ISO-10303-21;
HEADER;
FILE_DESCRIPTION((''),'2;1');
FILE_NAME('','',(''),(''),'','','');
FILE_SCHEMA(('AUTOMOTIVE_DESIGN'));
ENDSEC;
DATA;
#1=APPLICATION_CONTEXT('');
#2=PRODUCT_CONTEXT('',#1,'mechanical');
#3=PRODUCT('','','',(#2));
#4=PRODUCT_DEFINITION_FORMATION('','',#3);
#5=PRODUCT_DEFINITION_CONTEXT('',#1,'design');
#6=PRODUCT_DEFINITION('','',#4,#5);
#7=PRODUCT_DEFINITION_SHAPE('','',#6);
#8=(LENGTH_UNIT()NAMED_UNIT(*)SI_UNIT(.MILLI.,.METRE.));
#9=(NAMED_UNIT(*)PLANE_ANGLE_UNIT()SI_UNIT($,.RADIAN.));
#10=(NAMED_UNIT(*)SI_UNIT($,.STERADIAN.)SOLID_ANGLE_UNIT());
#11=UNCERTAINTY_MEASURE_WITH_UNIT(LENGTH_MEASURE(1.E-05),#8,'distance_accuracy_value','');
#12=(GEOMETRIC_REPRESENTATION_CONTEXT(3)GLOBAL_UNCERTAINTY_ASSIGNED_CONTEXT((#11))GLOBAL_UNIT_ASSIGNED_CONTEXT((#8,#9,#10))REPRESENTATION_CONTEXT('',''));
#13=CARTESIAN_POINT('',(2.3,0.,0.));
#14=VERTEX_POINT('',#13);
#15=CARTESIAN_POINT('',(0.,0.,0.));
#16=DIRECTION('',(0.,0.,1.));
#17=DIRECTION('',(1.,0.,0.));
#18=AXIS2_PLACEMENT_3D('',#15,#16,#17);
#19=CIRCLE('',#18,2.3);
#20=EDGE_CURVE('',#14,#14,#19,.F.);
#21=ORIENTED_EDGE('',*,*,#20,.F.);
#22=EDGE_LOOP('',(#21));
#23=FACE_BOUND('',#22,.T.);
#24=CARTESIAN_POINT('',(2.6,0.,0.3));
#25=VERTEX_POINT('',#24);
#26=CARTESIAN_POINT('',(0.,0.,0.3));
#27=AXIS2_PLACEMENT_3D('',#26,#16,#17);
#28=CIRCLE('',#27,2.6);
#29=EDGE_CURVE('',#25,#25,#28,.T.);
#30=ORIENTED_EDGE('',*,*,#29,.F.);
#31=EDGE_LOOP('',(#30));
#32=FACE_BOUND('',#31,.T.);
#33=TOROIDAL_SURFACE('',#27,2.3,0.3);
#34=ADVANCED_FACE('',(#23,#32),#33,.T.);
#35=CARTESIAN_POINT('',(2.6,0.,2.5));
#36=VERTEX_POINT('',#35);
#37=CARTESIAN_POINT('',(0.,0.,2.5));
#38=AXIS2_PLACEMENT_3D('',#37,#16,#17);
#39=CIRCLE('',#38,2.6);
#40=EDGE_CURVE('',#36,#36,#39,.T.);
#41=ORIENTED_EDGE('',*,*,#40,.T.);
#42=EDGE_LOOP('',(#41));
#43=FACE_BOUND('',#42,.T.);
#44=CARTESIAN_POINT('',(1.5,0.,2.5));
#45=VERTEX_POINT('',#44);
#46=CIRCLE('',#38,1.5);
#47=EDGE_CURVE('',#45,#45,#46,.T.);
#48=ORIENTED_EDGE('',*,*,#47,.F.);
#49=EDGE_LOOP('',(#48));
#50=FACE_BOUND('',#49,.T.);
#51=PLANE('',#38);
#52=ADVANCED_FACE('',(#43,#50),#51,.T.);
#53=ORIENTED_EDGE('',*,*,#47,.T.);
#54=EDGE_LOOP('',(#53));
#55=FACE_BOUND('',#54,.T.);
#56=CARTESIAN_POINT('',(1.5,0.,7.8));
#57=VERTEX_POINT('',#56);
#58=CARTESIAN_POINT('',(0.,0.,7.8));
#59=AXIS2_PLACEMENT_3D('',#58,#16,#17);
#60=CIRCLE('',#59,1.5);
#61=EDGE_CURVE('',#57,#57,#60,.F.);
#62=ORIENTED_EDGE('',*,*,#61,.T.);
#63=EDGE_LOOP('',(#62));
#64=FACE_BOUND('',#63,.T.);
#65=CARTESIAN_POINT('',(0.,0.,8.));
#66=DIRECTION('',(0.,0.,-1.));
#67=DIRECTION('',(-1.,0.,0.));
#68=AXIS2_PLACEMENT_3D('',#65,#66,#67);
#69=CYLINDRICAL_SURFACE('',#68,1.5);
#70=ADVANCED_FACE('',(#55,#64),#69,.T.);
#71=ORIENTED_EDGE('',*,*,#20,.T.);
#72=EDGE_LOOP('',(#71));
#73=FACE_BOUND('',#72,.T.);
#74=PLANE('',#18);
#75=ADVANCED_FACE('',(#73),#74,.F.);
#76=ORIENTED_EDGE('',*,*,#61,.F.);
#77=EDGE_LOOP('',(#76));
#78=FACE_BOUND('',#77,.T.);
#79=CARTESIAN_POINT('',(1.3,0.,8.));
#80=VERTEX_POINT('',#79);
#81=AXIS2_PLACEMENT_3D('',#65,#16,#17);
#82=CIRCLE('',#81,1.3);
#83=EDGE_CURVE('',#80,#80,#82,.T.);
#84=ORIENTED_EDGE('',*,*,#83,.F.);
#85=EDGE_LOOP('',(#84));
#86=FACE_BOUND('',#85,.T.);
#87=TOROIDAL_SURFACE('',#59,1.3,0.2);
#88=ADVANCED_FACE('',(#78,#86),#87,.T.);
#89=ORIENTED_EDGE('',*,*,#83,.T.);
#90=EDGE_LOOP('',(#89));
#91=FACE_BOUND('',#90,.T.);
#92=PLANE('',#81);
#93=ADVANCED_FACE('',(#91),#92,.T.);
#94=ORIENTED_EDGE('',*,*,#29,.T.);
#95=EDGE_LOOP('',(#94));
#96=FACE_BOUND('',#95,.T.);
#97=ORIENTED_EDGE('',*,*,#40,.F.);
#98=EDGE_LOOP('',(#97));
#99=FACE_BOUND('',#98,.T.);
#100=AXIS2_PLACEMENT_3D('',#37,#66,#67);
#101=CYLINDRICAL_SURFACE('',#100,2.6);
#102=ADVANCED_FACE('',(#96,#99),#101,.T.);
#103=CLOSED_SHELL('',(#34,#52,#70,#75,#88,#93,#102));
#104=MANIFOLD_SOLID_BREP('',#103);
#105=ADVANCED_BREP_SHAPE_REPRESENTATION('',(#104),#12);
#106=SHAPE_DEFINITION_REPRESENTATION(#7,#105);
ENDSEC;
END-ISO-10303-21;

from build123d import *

# Parameters (mm, degrees)
SKETCH1_R           = 2.6
BOSS_EXTRUDE1_DEPTH = 2.5
FILLET1_R           = 0.3
SKETCH2_R           = 1.5
BOSS_EXTRUDE2_DEPTH = 5.5
FILLET2_R           = 0.2


with BuildPart() as part:
    # Sketch1 → Boss-Extrude1 (new body)
    with BuildSketch(Plane.XY):
        Circle(SKETCH1_R)
    extrude(amount=BOSS_EXTRUDE1_DEPTH)

    # Fillet1
    fillet1_edges = [part.edges().sort_by_distance(p)[0] for p in [
        (-2.6, 0, 0),
    ]]
    fillet(fillet1_edges, radius=FILLET1_R)

    # Sketch2 → Boss-Extrude2 (add)
    with BuildSketch(Plane.XY.offset(2.5)):
        Circle(SKETCH2_R)
    extrude(amount=BOSS_EXTRUDE2_DEPTH)

    # Fillet2
    fillet2_edges = [part.edges().sort_by_distance(p)[0] for p in [
        (-1.5, 0, 8),
    ]]
    fillet(fillet2_edges, radius=FILLET2_R)


solid = part.part
